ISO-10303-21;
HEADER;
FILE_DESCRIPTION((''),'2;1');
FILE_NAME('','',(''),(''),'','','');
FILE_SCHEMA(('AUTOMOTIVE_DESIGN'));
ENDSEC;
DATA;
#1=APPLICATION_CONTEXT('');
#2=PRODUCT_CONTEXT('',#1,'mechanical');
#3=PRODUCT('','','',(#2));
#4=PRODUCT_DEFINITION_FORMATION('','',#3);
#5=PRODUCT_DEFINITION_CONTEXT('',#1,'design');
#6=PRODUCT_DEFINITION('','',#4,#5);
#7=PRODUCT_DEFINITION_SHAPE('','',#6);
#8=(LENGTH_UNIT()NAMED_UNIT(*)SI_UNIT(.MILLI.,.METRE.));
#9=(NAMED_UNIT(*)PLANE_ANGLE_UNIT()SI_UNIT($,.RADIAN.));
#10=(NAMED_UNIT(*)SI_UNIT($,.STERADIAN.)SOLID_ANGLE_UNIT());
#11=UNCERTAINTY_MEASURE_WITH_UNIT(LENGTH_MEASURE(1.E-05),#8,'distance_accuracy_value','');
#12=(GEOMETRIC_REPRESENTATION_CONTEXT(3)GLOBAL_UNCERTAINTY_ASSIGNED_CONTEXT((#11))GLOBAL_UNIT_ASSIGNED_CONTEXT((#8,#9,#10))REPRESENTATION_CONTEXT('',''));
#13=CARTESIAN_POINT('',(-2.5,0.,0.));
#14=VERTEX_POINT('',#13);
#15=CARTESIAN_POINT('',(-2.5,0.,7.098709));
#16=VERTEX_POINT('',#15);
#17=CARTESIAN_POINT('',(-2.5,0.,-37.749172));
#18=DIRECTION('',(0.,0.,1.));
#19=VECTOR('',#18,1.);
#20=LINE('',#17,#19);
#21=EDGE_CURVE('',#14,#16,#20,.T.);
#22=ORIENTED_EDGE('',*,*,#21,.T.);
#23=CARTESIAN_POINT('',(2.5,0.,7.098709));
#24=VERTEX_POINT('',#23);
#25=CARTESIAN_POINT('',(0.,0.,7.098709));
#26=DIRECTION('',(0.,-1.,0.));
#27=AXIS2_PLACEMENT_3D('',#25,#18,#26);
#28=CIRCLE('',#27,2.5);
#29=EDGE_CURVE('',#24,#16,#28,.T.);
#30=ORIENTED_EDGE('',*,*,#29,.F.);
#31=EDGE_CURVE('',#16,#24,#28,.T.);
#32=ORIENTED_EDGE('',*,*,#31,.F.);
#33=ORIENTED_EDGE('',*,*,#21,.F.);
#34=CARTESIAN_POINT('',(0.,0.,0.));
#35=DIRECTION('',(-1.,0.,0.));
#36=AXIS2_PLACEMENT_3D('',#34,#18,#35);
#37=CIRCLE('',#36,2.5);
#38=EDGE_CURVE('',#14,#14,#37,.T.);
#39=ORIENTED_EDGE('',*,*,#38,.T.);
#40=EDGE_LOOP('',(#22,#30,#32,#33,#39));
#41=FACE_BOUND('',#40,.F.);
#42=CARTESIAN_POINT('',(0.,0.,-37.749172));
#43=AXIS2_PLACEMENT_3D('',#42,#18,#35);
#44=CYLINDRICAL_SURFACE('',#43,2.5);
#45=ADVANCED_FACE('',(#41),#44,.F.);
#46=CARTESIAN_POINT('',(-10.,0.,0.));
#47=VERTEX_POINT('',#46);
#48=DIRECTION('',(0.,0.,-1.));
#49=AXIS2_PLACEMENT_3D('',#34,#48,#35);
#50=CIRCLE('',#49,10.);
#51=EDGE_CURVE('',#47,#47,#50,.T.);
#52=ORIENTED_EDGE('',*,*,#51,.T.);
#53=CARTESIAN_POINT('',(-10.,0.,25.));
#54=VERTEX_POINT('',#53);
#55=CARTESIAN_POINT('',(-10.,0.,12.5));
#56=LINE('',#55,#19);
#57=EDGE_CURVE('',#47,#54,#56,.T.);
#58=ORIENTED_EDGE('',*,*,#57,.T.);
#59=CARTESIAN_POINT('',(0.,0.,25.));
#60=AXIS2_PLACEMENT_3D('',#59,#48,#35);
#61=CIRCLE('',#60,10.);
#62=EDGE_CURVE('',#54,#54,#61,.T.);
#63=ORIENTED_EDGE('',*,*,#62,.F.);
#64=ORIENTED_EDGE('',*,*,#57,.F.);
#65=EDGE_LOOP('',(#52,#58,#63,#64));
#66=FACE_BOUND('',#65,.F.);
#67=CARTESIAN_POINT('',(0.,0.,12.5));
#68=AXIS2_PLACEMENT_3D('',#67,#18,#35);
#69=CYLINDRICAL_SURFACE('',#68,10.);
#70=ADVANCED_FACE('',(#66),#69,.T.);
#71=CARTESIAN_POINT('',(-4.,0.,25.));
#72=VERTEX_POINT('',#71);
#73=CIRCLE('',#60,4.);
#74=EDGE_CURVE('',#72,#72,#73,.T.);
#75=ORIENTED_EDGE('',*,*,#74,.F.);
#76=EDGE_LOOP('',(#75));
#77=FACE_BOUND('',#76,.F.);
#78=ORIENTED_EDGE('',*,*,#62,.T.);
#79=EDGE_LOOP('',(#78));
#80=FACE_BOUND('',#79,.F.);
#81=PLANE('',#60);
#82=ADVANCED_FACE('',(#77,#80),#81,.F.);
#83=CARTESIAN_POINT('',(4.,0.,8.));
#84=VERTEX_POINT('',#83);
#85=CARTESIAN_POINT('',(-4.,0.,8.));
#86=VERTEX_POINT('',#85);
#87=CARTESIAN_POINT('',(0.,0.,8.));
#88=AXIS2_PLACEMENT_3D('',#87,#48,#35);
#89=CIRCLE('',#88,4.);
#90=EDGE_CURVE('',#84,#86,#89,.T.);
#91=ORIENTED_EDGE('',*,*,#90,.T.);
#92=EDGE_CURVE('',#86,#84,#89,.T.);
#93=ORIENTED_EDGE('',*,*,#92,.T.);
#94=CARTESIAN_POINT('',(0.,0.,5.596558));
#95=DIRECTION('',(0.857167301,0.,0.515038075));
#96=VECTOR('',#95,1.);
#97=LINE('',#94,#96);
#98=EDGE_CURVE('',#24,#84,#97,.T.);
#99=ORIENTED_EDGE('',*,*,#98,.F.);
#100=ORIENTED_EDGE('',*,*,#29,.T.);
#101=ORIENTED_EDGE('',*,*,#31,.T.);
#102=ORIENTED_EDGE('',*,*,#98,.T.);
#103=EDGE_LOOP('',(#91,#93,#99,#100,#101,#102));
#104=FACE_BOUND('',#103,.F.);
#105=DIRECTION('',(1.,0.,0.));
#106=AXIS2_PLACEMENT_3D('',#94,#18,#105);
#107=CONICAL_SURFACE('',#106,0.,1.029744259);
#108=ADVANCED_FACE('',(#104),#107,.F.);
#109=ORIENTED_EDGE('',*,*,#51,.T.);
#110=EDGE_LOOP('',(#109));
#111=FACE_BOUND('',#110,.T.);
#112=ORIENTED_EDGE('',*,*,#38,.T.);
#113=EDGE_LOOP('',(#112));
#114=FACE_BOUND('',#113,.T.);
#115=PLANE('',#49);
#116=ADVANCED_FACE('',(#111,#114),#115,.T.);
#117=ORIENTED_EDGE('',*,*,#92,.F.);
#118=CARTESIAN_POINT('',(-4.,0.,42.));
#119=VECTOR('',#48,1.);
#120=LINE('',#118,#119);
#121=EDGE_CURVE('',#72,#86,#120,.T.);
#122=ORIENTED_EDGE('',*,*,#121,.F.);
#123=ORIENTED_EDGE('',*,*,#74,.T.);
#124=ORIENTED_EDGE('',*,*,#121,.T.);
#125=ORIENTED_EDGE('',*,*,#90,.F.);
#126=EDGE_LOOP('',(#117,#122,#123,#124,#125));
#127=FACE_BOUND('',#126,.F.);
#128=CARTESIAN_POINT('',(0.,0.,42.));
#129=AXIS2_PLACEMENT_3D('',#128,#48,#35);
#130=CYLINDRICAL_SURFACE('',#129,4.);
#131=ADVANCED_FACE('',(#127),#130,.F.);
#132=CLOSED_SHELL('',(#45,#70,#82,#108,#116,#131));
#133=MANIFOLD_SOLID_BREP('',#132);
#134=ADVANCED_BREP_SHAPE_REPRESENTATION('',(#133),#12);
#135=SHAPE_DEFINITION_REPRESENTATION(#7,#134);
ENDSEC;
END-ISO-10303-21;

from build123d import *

# Parameters (mm, degrees)
F0_W     = 10
F0_H     = 25
F3_D     = 8
F3_DEPTH = 17
F3_TIP   = 2.4034424761
F5_D     = 5


with BuildPart() as f1:
    # F0 (on Front) → F1 (revolve)
    with BuildSketch(Plane.XZ):
        with Locations((-5, 12.5)):
            Rectangle(F0_W, F0_H)
    revolve(axis=Axis((0, 0, 12.5), (0, 0, -1)))

    # F3
    with Locations(Plane.XY.offset(25)):
        with Locations((0, 0)):
            Hole(F3_D / 2, depth=F3_DEPTH)
            with Locations((0, 0, -(F3_DEPTH + F3_TIP / 2))):  # 118° drill point
                Cone(0, F3_D / 2, F3_TIP, mode=Mode.SUBTRACT)

    # F5 (through all)
    with Locations(Plane(origin=(0, 0, 0), x_dir=(1, 0, 0), z_dir=(0, 0, -1))):
        with Locations((0, 0)):
            Hole(F5_D / 2)


solid = f1.part
